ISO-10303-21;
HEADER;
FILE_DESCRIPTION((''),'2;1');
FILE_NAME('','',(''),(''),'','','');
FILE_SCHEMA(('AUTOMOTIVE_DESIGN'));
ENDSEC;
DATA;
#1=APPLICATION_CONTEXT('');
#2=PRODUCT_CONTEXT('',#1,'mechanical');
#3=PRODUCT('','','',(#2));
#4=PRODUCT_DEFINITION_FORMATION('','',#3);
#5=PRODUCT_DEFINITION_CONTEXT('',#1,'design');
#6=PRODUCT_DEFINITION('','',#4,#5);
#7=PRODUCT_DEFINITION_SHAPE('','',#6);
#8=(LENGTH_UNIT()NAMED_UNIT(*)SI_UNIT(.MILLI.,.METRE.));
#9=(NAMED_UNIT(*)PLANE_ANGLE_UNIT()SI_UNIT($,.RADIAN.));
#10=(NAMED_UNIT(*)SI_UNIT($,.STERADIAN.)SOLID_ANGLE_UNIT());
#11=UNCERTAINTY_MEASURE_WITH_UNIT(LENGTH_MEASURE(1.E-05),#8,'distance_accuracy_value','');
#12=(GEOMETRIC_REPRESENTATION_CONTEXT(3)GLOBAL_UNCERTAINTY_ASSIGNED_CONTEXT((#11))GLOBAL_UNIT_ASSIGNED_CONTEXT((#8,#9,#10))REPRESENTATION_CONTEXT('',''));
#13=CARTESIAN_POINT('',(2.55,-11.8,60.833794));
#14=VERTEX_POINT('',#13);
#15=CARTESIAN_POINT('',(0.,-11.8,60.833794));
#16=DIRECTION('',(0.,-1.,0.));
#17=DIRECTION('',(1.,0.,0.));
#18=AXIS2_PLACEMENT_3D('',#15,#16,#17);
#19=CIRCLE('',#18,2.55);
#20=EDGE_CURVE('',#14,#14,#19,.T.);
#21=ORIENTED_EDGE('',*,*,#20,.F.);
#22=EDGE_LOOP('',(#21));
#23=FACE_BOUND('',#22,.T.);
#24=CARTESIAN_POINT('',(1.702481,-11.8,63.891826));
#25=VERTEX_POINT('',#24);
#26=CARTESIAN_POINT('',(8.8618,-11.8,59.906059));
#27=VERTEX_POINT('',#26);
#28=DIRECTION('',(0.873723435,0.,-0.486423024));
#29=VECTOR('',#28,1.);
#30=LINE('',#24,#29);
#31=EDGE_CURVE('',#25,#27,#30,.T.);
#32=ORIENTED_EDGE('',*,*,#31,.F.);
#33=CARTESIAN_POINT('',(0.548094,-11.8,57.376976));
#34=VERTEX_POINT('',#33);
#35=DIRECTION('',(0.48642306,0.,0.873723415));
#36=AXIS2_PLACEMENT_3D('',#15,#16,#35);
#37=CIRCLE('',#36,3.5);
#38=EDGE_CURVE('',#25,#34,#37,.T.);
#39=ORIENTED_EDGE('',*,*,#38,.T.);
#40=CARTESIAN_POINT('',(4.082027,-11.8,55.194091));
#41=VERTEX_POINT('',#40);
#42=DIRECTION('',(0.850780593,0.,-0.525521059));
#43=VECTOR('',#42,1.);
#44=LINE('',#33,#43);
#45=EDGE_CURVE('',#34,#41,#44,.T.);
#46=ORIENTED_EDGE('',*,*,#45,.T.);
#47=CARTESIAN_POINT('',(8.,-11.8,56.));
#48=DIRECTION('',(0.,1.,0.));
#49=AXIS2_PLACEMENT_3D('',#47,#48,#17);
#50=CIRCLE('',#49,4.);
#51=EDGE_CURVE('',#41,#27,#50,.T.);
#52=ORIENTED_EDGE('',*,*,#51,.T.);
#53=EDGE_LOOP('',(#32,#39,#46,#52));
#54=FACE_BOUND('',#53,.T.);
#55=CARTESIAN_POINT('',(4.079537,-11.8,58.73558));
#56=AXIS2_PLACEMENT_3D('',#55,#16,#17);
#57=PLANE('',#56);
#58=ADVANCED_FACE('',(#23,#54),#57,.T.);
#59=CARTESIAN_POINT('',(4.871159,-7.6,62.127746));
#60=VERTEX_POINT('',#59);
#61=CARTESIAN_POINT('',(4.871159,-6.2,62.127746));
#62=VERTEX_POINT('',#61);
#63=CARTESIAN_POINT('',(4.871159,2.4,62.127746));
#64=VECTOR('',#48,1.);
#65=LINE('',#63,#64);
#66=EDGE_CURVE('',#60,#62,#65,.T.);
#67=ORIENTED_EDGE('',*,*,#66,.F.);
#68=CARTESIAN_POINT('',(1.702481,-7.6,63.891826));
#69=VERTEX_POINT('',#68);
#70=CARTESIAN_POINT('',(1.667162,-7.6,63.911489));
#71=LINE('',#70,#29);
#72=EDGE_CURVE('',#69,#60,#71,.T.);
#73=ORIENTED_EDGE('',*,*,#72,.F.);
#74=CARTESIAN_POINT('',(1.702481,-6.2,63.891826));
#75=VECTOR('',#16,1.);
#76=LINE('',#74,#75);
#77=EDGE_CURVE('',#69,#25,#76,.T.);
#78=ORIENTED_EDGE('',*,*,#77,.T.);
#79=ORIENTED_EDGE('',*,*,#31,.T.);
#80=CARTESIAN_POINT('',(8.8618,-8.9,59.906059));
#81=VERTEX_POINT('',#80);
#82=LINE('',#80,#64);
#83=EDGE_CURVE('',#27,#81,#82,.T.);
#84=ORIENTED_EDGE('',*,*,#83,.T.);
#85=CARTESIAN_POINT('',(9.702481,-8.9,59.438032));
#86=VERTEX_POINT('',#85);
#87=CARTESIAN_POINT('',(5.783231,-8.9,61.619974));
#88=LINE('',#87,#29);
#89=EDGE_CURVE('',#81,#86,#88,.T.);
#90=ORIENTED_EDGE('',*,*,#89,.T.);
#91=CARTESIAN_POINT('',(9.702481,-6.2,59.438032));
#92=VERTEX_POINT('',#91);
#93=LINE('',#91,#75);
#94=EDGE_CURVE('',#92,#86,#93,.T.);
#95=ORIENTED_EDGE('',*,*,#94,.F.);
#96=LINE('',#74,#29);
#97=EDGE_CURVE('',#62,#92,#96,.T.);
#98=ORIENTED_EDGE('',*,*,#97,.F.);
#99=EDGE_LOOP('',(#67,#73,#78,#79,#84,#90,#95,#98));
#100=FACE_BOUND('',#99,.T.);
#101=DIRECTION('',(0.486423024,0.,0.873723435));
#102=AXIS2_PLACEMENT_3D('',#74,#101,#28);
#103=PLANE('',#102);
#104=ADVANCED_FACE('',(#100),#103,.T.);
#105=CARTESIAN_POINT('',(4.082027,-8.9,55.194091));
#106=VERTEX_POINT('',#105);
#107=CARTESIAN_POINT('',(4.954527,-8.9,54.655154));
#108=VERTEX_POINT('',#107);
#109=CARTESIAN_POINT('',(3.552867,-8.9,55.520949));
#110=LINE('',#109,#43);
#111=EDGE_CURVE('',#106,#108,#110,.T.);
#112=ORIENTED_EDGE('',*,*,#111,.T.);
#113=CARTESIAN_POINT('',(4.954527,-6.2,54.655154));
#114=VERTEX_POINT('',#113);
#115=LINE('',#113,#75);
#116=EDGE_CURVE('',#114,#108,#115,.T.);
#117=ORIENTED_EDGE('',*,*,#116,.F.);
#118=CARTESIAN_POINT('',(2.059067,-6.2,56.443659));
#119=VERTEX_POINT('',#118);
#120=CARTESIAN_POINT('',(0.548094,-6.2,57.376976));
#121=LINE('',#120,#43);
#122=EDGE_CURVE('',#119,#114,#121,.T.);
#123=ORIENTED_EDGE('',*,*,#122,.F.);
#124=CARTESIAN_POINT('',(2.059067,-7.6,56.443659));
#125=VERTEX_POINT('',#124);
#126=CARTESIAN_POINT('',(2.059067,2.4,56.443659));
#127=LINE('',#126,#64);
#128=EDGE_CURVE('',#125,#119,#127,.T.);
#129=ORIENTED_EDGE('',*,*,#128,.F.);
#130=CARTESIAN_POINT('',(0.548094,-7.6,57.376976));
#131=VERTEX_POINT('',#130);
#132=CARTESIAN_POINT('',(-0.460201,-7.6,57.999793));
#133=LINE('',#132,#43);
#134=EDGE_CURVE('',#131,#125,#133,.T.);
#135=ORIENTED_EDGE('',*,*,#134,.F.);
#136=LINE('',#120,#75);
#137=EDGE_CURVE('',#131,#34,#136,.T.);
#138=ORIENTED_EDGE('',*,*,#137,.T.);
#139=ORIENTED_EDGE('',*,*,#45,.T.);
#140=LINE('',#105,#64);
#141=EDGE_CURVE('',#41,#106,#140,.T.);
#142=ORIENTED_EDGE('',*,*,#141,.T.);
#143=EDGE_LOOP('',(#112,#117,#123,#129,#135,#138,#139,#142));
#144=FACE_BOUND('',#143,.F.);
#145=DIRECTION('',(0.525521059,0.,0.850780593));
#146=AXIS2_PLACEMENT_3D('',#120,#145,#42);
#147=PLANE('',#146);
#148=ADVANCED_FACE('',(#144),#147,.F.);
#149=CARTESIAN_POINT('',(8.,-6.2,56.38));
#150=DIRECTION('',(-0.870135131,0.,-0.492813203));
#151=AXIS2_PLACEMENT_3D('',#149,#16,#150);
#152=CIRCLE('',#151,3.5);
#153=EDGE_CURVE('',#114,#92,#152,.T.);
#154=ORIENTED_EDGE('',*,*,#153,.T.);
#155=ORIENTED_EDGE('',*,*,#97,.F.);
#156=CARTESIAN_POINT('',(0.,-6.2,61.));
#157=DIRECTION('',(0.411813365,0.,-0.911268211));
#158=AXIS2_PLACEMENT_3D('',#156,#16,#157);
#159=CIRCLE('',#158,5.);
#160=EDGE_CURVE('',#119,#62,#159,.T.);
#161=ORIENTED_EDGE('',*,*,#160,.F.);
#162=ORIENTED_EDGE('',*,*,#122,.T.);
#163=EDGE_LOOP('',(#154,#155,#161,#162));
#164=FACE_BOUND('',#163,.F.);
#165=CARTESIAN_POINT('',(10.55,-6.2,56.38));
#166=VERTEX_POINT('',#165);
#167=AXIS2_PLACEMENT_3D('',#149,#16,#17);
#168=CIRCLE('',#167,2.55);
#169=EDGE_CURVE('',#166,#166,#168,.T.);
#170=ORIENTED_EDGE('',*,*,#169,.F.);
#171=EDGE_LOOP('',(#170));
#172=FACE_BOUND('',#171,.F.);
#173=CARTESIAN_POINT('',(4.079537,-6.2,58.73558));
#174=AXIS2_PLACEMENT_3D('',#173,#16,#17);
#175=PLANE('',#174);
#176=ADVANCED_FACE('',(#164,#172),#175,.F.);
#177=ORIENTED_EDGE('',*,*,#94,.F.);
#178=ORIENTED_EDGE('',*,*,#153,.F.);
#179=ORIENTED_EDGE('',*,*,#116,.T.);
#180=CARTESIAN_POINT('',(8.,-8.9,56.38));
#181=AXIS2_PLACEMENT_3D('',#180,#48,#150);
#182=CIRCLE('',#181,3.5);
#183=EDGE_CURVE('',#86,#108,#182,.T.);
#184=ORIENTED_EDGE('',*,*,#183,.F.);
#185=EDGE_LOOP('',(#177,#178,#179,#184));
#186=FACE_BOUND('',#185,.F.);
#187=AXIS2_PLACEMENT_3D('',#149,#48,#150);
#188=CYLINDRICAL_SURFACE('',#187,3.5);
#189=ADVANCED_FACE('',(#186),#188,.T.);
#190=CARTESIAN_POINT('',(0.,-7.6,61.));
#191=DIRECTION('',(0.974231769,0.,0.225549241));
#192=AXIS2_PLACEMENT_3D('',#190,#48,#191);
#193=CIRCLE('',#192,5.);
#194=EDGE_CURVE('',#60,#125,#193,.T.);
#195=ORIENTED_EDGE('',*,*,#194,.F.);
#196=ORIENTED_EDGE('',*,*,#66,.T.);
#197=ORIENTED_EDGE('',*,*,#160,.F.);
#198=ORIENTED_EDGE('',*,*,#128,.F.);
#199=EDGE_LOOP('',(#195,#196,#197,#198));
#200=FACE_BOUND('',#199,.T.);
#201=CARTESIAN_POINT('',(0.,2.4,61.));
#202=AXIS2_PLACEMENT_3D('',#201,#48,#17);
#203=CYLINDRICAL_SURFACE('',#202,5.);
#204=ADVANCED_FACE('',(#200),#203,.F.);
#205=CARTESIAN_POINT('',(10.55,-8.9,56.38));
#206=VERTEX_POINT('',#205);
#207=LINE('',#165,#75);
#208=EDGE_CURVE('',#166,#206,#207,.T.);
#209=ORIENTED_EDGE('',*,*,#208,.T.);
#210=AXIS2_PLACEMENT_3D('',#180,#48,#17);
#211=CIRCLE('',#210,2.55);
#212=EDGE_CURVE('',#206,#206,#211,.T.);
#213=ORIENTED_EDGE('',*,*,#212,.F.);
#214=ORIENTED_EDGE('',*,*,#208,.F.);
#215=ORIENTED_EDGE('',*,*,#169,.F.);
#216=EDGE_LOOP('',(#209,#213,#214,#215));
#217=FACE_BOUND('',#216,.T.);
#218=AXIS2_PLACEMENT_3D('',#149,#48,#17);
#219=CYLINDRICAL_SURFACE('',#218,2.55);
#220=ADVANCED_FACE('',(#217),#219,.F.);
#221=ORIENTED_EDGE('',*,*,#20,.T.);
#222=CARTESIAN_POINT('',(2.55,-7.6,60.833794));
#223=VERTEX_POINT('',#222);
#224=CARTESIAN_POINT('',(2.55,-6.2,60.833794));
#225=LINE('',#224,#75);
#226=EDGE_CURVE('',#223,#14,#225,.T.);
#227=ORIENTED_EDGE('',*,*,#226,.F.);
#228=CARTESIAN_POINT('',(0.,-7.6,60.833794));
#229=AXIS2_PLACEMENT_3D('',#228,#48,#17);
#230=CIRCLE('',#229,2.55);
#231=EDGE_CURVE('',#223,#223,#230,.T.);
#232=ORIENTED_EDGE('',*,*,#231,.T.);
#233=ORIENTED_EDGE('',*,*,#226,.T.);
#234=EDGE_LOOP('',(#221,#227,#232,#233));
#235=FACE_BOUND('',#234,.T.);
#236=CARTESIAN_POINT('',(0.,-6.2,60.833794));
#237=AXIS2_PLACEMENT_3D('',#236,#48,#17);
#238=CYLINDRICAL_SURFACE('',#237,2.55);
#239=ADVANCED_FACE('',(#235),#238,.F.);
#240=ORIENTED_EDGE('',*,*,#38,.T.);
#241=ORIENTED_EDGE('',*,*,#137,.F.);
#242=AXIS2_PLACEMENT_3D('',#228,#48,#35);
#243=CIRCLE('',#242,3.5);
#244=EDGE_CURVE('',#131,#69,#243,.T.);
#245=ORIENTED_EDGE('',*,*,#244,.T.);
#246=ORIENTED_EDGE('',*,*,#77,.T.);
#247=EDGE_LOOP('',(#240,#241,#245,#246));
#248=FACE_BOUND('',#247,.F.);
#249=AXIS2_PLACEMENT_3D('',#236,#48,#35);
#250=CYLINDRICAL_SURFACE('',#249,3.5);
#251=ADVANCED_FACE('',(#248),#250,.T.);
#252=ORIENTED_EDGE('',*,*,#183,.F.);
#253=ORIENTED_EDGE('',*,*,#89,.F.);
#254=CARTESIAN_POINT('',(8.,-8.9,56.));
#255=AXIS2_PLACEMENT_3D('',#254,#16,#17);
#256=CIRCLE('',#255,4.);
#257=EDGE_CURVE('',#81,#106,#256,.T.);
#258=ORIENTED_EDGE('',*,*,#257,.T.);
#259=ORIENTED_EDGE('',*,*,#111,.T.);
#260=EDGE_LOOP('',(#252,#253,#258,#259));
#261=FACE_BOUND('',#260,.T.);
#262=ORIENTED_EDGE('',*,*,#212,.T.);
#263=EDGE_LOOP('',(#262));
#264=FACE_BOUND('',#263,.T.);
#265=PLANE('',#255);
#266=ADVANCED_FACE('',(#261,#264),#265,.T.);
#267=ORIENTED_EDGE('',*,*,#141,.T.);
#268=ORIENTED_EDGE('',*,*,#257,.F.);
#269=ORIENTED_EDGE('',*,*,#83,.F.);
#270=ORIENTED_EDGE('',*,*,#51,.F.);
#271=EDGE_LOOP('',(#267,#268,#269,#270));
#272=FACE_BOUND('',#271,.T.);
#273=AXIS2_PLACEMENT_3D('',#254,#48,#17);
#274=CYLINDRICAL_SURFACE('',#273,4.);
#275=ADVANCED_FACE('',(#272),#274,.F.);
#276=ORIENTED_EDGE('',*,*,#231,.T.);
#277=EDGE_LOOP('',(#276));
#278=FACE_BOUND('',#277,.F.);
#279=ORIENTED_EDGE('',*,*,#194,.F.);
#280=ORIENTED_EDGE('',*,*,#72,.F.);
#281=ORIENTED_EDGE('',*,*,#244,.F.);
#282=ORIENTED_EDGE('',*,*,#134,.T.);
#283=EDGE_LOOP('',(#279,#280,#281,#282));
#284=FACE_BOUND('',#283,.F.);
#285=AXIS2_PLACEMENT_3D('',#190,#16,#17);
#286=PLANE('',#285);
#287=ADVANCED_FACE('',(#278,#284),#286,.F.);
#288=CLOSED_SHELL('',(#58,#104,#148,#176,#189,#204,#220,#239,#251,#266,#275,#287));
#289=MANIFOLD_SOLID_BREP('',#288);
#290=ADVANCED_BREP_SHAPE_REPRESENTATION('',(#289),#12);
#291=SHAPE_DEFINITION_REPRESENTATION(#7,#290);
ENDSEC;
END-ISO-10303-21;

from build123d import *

# Parameters (mm, degrees)
SKETCH012_R       = 2.55
PAD010_DEPTH      = 5.6
CYLINDER008_R     = 5
CYLINDER008_DEPTH = 10
CYLINDER009_R     = 4
CYLINDER009_DEPTH = 8


with BuildPart() as part:
    # Sketch012 → Pad010 (new body)
    with BuildSketch(Plane.XZ.offset(6.2)):
        with BuildLine():
            ThreePointArc((4.954527, 54.655154), (10.483926, 53.914212), (9.702481, 59.438032))
            Line((1.702481, 63.891826), (9.702481, 59.438032))
            ThreePointArc((1.702481, 63.891826), (-3.446315, 61.444457), (0.548094, 57.376976))
            Line((0.548094, 57.376976), (4.954527, 54.655154))
        make_face()
        with Locations((8, 56.38)):
            Circle(SKETCH012_R, mode=Mode.SUBTRACT)
        with Locations((0, 60.833794)):
            Circle(SKETCH012_R, mode=Mode.SUBTRACT)
    extrude(amount=PAD010_DEPTH)

    # Cylinder008 → Cylinder008 (cut)
    with BuildSketch(Plane(origin=(0, 2.4, 61), x_dir=(1, 0, 0), z_dir=(0, -1, 0))):
        Circle(CYLINDER008_R)
    extrude(amount=CYLINDER008_DEPTH, mode=Mode.SUBTRACT)

    # Cylinder009 → Cylinder009 (cut)
    with BuildSketch(Plane(origin=(8, -8.9, 56), x_dir=(1, 0, 0), z_dir=(0, -1, 0))):
        Circle(CYLINDER009_R)
    extrude(amount=CYLINDER009_DEPTH, mode=Mode.SUBTRACT)


solid = part.part
